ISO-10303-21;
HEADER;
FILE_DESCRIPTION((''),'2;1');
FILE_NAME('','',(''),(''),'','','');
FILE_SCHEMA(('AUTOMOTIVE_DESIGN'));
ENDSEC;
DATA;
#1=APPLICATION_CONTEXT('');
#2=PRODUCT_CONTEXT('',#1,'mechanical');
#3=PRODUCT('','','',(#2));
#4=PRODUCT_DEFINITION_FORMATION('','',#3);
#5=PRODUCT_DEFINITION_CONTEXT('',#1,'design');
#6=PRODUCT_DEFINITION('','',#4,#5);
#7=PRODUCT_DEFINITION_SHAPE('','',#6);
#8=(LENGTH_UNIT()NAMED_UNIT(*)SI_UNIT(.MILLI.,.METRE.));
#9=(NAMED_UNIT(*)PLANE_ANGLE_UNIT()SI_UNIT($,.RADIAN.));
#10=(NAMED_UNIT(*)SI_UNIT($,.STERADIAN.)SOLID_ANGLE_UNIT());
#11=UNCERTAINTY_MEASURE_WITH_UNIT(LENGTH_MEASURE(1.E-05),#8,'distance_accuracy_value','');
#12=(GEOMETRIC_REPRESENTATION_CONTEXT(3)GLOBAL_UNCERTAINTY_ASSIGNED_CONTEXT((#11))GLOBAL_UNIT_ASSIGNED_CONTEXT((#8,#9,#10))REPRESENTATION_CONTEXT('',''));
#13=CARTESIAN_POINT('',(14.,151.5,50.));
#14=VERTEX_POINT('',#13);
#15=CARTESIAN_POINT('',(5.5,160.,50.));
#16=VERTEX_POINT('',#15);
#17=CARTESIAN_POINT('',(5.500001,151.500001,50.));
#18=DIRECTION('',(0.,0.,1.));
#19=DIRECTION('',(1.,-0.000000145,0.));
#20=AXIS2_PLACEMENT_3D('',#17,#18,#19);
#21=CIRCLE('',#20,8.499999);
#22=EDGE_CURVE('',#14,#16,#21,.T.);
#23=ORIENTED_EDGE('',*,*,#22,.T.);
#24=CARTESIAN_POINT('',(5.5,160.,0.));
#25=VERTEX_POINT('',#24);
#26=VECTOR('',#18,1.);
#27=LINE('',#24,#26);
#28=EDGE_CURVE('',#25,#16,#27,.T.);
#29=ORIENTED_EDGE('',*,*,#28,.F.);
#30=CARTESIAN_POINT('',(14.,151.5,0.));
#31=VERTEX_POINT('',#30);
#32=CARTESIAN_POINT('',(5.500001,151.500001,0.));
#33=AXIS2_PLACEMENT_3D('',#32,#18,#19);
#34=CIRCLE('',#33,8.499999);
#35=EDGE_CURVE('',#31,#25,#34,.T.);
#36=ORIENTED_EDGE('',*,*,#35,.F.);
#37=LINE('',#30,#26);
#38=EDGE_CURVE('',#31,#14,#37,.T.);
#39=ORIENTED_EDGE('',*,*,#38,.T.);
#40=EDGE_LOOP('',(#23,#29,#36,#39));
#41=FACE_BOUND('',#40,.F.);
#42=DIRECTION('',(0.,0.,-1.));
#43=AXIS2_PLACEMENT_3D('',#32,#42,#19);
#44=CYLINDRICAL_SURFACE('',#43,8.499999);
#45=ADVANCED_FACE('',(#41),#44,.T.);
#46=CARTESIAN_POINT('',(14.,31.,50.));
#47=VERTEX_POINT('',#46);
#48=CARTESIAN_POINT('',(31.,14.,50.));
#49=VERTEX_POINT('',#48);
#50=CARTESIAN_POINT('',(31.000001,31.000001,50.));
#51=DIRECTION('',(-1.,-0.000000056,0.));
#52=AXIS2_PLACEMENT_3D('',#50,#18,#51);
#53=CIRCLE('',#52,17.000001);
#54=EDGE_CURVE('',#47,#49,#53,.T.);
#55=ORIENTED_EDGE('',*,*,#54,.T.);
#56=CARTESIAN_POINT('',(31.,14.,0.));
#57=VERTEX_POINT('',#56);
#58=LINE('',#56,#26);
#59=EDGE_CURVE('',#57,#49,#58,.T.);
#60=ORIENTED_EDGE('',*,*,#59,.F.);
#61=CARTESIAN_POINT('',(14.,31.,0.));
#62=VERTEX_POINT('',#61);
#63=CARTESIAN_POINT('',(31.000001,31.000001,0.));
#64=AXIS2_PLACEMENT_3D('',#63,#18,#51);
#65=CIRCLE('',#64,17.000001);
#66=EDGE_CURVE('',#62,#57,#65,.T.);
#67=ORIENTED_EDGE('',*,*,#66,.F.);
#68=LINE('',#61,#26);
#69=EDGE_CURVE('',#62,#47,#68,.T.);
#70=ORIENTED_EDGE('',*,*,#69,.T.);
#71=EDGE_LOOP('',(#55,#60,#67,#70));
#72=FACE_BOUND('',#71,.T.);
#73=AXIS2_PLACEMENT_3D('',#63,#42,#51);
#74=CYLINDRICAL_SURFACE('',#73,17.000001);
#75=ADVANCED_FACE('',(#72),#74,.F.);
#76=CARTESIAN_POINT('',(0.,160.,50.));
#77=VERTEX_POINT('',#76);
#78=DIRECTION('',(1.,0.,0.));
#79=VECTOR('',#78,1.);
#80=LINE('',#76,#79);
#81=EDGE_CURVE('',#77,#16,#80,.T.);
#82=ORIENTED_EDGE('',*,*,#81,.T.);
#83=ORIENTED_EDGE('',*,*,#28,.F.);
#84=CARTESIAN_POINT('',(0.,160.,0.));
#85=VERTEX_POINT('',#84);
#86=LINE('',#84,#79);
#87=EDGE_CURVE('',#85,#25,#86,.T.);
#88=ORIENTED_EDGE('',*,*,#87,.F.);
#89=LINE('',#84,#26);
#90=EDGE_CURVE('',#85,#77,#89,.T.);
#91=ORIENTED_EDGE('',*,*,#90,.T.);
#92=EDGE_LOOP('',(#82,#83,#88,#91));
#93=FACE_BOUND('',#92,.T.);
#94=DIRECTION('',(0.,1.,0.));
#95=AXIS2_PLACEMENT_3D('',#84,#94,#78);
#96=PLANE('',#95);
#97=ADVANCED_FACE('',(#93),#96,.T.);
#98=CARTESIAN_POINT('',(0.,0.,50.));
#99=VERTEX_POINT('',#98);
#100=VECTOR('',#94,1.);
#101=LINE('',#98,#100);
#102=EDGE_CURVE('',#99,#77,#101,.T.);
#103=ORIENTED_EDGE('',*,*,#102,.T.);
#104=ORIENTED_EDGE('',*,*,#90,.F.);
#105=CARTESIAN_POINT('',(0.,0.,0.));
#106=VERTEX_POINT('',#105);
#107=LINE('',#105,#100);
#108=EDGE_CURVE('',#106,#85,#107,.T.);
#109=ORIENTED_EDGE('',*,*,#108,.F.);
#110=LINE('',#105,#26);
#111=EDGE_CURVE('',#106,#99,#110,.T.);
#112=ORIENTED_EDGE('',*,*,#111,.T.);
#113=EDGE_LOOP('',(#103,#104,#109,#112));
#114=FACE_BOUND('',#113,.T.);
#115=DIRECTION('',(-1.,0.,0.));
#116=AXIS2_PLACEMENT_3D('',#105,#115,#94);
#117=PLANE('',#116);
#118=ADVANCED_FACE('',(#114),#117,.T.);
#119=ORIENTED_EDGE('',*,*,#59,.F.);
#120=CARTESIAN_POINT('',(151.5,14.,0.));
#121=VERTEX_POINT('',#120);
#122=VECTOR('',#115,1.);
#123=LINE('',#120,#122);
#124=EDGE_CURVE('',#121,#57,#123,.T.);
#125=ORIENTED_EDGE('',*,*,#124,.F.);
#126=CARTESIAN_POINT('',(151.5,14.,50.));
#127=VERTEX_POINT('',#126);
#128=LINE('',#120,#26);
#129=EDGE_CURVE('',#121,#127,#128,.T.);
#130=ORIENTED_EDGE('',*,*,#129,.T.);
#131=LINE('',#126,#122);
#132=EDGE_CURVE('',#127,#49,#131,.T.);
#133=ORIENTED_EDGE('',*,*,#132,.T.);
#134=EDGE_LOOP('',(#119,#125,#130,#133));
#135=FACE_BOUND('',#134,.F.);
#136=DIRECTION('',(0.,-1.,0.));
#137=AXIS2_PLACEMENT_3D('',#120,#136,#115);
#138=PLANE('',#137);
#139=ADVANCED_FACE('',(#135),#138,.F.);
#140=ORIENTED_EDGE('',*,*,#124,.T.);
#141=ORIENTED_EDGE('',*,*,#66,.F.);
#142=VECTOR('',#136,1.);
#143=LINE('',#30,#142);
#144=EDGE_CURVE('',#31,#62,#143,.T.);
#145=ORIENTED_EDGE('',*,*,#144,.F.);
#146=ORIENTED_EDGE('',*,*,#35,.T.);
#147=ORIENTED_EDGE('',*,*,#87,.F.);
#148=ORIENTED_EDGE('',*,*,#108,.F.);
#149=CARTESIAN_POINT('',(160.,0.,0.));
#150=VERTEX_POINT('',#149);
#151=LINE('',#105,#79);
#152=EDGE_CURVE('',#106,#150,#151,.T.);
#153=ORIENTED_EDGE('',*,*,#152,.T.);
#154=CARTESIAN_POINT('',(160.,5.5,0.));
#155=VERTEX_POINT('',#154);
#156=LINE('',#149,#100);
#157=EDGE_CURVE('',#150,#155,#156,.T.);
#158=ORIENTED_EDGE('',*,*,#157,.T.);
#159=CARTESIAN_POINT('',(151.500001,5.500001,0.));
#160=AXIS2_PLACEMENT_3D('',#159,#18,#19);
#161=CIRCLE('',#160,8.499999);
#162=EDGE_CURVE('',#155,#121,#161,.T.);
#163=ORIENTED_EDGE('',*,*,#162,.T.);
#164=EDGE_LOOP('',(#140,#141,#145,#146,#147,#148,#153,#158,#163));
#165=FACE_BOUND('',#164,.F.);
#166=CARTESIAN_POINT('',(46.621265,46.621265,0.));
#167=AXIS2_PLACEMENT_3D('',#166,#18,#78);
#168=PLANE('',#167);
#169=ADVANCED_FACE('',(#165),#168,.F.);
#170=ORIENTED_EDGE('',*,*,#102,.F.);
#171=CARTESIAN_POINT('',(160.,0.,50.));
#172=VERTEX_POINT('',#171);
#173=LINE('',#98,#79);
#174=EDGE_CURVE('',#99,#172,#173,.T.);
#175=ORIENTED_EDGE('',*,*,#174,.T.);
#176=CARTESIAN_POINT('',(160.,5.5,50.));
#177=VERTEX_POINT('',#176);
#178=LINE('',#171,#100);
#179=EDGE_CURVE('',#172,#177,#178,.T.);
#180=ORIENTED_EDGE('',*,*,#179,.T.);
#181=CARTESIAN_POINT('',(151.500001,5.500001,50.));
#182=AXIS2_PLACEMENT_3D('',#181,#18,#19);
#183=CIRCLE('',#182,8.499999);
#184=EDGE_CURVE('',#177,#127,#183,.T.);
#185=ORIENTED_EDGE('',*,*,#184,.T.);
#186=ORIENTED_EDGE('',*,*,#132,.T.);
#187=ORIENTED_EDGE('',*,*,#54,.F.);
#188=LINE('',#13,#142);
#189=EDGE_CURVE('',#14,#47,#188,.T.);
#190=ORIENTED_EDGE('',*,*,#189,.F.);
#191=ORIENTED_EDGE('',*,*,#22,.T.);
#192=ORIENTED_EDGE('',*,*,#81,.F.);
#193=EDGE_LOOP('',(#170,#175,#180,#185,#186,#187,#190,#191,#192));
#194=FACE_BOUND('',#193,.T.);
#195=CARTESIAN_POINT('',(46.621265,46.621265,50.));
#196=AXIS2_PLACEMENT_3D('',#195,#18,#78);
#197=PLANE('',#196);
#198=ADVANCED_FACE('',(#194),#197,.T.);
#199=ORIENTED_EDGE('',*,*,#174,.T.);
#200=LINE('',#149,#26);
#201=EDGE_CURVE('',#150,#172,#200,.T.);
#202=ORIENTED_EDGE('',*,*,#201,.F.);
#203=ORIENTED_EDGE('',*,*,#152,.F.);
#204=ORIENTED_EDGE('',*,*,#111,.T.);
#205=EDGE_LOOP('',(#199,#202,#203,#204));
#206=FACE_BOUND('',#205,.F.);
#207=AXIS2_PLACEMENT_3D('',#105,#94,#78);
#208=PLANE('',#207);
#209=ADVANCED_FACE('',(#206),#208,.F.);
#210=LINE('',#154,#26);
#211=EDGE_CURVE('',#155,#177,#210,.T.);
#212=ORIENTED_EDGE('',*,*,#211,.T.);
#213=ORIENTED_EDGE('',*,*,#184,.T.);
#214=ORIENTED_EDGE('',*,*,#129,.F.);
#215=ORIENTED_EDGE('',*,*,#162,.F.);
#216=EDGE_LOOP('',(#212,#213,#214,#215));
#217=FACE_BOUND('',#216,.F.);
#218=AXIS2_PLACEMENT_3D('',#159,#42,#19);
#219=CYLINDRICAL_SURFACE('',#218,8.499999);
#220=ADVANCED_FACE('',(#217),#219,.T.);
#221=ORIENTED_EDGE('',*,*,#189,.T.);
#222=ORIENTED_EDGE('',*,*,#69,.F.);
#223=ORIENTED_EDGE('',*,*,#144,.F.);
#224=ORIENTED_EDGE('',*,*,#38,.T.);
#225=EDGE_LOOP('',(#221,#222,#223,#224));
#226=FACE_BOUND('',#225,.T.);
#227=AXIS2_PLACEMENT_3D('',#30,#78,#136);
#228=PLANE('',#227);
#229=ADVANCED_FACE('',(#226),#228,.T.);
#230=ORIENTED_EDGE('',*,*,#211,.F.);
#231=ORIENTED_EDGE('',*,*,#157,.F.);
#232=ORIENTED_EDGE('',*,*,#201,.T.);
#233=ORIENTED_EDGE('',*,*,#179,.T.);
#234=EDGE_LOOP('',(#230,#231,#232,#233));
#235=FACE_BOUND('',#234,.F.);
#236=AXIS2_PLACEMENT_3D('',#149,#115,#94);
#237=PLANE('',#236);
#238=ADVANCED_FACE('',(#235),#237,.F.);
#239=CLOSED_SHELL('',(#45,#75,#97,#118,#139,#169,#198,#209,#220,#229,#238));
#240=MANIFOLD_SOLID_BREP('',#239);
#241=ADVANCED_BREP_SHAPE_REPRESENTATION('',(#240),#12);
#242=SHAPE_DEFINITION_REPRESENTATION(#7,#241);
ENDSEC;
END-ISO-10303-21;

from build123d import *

# Parameters (mm, degrees)
EXTRUDE_DEPTH = 50


with BuildPart() as part:
    # Sketch → Extrude (new body)
    with BuildSketch(Plane.XY):
        with BuildLine():
            Line((0, 0), (160, 0))
            Line((160, 0), (160, 5.5))
            ThreePointArc((160, 5.5), (157.510408, 11.510408), (151.5, 14))
            Line((151.5, 14), (31, 14))
            ThreePointArc((14, 31), (18.979185, 18.979185), (31, 14))
            Line((14, 151.5), (14, 31))
            ThreePointArc((14, 151.5), (11.510408, 157.510408), (5.5, 160))
            Line((0, 160), (5.5, 160))
            Line((0, 0), (0, 160))
        make_face()
    extrude(amount=EXTRUDE_DEPTH)


solid = part.part
